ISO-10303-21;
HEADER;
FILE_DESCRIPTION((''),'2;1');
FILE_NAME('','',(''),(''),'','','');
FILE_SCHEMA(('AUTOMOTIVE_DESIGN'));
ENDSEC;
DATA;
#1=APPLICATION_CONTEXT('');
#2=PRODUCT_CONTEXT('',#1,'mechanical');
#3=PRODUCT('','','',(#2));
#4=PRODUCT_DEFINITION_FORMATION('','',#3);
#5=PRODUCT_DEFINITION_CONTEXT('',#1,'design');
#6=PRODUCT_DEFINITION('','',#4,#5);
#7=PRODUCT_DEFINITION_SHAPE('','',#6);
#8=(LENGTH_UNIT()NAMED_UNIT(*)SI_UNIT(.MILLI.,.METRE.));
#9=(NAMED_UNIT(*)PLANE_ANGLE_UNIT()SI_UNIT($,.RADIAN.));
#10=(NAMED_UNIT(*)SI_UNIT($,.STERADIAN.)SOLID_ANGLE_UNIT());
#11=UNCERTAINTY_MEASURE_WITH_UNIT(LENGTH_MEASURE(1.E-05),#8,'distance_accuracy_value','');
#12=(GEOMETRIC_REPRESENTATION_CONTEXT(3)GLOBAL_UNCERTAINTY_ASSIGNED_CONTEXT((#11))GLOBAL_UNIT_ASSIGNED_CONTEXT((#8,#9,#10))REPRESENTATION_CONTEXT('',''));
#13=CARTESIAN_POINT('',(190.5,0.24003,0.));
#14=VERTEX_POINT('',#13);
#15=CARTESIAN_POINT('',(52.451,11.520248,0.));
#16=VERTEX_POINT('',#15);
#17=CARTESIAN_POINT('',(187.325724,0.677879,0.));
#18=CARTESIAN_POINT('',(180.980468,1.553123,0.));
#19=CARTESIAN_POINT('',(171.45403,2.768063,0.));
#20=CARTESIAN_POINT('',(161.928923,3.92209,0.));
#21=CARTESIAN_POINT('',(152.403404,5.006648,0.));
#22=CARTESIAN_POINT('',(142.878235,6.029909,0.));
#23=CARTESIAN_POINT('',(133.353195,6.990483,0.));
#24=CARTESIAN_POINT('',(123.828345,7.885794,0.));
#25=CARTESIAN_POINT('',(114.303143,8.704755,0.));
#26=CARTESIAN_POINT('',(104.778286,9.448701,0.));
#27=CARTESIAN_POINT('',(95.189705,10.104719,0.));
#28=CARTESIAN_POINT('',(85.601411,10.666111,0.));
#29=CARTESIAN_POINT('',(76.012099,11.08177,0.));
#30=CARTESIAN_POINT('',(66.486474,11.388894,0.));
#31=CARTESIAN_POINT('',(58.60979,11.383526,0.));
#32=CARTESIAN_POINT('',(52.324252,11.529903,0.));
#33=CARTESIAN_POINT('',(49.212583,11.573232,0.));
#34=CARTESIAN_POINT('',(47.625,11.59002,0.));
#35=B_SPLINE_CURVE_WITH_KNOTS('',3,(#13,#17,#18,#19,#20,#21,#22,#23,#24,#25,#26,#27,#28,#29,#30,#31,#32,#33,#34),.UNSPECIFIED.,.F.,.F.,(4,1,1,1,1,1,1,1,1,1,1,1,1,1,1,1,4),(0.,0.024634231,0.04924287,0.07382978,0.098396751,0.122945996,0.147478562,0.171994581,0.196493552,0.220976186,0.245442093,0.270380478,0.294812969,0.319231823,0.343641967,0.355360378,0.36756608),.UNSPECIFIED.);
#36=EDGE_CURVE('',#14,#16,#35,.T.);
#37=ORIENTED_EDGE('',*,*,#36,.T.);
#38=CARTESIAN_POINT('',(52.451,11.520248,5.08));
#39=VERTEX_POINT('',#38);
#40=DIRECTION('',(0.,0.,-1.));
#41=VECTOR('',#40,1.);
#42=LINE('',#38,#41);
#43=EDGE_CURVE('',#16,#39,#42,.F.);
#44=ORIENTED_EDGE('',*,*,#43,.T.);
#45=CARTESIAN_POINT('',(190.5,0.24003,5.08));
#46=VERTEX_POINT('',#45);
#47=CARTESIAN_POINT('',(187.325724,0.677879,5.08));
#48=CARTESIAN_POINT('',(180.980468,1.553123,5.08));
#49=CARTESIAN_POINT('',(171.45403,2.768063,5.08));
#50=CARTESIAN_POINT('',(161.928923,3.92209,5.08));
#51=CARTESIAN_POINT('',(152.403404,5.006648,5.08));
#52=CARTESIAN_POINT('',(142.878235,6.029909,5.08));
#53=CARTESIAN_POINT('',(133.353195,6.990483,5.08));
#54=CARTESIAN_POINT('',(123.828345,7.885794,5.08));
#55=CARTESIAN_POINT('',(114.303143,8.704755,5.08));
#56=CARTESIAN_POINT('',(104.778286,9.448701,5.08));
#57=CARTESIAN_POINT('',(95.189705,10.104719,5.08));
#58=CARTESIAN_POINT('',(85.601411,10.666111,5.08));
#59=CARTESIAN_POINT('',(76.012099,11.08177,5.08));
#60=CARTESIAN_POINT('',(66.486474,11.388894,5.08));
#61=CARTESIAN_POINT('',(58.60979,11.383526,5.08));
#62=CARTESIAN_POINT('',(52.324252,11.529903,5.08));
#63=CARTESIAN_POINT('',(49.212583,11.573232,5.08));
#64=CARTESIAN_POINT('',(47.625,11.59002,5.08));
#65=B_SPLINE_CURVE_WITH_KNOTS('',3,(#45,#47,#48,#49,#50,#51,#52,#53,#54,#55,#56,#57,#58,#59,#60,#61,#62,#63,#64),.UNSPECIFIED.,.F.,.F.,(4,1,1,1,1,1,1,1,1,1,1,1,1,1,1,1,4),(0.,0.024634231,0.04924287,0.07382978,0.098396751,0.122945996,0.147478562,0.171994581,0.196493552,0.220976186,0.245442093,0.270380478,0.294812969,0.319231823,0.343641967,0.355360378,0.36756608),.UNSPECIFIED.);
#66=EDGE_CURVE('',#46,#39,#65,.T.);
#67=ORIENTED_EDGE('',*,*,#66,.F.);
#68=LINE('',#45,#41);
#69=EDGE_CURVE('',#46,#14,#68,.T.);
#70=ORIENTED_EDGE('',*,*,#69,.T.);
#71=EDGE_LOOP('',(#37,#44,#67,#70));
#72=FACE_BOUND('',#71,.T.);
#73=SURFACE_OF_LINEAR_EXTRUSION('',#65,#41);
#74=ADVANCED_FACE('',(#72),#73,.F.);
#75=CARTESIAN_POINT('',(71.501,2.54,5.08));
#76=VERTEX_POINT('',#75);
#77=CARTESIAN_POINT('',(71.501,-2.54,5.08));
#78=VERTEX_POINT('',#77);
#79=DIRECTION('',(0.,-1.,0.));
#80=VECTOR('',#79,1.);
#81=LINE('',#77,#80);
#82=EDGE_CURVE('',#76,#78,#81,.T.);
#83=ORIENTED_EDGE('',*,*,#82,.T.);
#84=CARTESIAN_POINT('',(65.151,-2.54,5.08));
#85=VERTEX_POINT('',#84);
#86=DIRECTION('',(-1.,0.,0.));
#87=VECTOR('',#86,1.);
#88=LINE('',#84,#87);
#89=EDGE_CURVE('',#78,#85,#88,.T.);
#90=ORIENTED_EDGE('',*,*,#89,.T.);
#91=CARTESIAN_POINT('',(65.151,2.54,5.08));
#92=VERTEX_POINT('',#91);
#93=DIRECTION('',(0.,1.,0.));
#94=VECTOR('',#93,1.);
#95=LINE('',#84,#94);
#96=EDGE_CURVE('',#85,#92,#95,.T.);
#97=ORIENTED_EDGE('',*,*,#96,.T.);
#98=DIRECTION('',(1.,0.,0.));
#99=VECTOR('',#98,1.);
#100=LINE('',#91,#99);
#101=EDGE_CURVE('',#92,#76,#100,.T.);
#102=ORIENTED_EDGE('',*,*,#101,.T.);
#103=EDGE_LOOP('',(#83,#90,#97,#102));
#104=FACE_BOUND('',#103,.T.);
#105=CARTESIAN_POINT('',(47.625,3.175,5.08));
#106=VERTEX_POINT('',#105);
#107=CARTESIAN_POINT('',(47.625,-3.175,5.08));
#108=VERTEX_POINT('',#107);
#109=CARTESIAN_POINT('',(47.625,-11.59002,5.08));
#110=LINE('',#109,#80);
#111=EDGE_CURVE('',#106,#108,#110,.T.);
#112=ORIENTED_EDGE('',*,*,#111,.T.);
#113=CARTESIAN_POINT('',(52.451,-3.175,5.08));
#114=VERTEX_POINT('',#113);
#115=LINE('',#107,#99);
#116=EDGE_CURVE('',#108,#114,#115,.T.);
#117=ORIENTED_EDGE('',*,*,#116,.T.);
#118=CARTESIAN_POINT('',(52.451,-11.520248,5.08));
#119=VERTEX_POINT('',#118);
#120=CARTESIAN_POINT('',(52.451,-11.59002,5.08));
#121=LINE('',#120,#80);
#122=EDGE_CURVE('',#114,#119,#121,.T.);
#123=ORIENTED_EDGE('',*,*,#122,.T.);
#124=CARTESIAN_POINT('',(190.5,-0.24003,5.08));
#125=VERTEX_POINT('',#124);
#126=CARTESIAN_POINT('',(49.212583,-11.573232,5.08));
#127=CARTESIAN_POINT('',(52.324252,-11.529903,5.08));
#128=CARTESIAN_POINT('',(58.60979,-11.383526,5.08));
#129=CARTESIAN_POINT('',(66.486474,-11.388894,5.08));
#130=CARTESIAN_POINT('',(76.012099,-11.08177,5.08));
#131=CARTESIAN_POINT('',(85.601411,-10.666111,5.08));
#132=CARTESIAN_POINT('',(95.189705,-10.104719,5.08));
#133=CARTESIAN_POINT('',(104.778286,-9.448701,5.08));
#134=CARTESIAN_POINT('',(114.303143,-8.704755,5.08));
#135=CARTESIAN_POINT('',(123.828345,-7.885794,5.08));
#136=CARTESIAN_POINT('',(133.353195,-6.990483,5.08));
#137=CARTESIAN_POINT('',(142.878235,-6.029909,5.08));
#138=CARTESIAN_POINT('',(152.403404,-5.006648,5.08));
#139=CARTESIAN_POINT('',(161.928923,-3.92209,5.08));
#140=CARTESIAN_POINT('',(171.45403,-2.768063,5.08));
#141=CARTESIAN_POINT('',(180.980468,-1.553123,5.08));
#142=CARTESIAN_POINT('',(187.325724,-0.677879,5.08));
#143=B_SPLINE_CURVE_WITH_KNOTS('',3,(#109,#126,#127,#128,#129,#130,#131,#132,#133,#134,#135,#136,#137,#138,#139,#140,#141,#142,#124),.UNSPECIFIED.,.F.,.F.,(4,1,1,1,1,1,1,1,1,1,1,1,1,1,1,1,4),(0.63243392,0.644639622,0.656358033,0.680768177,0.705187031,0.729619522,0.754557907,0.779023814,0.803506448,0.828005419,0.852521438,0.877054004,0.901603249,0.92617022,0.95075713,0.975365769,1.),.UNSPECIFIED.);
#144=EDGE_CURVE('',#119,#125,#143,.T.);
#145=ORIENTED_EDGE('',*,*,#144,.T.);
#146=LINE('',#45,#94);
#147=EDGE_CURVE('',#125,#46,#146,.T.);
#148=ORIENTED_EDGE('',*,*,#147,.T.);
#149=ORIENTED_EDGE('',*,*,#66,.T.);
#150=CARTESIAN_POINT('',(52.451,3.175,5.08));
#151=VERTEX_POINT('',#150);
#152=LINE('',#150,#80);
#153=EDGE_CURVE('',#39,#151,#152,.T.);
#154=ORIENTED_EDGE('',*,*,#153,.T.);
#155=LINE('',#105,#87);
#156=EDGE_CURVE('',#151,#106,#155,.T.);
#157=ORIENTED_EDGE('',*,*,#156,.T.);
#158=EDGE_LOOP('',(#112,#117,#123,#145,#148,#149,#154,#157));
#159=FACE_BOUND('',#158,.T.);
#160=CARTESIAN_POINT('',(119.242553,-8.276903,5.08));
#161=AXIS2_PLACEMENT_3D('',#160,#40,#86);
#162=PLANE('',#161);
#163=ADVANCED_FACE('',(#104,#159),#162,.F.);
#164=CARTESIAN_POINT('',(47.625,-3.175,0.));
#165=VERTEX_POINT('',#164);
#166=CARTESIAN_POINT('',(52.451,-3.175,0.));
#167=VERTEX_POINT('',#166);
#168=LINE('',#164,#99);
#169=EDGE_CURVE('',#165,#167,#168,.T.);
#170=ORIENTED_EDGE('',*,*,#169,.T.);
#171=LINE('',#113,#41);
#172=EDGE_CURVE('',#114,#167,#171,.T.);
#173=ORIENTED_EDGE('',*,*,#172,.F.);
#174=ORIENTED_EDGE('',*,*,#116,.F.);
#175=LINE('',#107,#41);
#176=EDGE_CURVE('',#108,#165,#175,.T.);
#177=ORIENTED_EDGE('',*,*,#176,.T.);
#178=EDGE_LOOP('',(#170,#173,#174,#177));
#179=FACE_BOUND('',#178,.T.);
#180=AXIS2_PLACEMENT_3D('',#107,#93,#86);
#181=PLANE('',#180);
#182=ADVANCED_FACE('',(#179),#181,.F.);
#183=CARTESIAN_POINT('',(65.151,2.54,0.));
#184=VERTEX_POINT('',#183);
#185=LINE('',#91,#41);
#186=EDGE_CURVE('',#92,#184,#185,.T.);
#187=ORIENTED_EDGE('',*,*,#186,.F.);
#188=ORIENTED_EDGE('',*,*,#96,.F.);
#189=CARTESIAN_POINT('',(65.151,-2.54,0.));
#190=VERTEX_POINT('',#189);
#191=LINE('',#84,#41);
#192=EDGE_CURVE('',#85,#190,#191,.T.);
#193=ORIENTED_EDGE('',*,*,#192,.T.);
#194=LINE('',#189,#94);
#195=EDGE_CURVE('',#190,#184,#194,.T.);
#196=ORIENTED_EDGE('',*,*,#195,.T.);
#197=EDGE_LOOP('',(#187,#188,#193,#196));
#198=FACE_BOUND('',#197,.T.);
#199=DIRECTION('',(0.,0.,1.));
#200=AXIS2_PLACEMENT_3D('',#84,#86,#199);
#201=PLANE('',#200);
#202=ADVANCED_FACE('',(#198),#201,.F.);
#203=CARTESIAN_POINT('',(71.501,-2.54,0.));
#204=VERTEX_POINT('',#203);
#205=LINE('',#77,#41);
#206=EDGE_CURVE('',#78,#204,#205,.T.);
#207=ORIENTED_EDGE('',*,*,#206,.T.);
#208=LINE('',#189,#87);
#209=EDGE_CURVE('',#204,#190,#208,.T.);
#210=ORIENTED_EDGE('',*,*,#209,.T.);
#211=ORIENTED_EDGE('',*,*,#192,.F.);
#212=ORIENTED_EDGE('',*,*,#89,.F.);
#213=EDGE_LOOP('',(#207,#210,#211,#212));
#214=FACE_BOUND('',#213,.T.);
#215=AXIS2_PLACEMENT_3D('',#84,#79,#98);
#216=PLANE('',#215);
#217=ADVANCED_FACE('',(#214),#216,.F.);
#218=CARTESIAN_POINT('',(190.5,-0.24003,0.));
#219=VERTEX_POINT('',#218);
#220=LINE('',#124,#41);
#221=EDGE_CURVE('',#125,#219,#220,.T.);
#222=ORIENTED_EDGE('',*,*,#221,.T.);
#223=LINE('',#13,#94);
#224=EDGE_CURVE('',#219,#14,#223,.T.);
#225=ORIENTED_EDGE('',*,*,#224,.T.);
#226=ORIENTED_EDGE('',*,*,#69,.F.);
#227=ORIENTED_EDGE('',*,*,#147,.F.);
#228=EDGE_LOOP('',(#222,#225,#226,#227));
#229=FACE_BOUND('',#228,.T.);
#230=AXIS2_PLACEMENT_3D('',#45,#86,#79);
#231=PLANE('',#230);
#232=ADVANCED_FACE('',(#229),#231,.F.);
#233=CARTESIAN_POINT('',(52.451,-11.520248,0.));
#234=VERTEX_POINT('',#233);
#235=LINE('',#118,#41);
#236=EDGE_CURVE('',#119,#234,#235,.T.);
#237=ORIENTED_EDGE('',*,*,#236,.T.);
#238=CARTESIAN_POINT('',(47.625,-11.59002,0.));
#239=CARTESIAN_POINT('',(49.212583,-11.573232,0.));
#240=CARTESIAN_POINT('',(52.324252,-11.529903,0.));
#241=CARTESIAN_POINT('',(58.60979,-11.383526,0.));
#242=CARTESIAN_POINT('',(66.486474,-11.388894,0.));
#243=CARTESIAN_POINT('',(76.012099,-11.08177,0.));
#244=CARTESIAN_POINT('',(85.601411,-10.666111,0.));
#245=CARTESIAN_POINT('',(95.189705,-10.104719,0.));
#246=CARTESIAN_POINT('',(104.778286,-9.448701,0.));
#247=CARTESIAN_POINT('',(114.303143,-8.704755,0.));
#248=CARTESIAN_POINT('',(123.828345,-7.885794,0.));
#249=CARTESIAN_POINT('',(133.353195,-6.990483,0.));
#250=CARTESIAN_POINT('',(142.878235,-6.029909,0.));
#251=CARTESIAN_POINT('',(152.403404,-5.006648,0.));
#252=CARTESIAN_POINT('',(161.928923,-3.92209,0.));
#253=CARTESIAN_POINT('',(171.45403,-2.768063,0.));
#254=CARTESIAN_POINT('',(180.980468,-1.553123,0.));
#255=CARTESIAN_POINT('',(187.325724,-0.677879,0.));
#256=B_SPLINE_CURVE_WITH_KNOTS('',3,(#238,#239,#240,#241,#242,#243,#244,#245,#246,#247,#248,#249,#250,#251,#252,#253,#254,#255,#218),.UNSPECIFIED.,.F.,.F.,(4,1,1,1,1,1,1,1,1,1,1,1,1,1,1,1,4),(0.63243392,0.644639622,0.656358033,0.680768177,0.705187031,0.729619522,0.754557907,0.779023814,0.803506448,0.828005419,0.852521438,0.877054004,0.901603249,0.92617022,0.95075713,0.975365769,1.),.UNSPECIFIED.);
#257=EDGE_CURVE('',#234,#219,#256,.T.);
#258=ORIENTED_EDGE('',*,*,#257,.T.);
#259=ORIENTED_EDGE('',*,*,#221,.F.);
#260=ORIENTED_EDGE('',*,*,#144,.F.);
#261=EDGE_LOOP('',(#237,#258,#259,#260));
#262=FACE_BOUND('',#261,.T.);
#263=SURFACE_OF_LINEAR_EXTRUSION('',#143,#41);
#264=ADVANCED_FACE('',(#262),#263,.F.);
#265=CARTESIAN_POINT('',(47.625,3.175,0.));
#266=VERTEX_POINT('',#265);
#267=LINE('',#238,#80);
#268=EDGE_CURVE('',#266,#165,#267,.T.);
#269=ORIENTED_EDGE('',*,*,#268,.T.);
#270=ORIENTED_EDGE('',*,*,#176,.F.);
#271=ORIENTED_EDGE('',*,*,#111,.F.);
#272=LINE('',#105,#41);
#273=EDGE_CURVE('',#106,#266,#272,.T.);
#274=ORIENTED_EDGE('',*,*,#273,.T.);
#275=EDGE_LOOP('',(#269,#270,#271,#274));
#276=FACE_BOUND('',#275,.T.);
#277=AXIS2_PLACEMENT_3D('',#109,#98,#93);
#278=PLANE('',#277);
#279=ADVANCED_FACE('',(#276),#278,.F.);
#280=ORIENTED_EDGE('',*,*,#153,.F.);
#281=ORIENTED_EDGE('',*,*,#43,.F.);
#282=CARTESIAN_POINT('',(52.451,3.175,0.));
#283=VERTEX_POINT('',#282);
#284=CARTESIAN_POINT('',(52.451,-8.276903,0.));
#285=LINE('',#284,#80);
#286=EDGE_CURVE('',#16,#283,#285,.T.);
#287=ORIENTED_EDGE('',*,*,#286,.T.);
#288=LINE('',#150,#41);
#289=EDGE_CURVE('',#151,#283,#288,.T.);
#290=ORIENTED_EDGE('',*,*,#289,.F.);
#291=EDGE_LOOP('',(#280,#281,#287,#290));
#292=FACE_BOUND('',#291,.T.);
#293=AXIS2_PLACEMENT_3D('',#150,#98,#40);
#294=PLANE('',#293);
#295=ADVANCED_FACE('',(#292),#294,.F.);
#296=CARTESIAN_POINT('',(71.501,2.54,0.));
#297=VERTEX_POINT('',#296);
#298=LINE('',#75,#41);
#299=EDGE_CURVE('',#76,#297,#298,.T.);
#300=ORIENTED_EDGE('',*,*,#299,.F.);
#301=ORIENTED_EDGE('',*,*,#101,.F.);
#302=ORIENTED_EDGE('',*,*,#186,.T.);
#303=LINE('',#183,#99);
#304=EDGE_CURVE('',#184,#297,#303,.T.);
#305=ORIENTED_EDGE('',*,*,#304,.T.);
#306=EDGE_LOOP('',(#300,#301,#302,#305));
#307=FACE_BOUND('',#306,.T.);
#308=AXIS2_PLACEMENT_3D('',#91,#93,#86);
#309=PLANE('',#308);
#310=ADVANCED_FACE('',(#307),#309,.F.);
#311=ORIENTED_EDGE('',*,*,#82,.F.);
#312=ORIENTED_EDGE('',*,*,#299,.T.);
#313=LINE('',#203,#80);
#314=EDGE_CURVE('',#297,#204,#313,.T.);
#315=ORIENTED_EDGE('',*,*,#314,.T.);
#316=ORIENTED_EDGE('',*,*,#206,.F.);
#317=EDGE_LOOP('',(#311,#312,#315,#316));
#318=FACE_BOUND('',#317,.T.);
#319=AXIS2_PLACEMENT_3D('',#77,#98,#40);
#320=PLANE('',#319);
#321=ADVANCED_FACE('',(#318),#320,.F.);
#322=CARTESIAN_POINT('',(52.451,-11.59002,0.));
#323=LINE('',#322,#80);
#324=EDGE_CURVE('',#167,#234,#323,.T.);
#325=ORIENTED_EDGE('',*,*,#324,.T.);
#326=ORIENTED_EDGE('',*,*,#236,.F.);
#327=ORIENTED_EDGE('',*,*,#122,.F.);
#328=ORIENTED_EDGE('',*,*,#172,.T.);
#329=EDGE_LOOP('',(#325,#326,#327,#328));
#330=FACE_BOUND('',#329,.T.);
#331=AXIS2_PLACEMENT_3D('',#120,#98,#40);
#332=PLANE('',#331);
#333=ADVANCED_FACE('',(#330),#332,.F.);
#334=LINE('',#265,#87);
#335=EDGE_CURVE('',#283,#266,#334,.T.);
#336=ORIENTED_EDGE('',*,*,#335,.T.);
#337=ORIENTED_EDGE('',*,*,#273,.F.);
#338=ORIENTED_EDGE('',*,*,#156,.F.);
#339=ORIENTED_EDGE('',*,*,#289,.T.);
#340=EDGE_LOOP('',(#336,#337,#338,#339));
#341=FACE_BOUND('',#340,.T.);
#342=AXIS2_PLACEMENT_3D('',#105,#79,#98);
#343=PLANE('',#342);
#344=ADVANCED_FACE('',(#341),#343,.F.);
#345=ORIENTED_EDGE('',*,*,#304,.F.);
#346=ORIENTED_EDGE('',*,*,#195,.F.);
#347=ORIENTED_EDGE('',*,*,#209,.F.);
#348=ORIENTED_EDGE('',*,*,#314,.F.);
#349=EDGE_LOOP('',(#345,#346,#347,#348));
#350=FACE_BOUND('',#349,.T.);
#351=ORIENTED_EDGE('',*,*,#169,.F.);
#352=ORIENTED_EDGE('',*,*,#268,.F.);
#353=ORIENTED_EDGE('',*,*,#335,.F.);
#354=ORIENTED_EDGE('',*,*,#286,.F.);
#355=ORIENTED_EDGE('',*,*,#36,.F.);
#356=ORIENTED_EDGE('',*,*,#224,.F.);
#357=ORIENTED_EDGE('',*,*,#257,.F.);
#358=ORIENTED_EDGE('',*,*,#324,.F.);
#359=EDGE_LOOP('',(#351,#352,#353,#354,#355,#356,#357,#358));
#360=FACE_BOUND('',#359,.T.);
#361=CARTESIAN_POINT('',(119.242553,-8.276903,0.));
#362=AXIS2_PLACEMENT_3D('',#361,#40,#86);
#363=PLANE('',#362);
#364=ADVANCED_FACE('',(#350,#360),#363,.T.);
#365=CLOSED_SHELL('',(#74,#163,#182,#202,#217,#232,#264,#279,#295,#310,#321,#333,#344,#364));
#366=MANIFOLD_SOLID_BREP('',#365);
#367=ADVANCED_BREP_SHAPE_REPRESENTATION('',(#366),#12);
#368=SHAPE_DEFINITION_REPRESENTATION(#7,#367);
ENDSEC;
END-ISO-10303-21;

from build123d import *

# Parameters (mm, degrees)
BOSS_EXTRUDE1_DEPTH = 5.08
SKETCH3_W           = 4.826
SKETCH3_H           = 8.41502
SKETCH3_W_2         = 6.35
SKETCH3_H_2         = 5.08
CUT_EXTRUDE1_DEPTH  = 6.0800001


with BuildPart() as part:
    # Sketch2 → Boss-Extrude1 (new body)
    with BuildSketch(Plane.XY):
        with BuildLine():
            Line((190.5, 0.24003), (190.5, -0.24003))
            add(Edge.make_bspline(
                [(47.625, -11.59002), (49.21258277, -11.573232478), (52.324251607, -11.529902789), (58.609790093, -11.383526435), (66.486474066, -11.388894153), (76.012099473, -11.081769852), (85.601411445, -10.666111308), (95.189705286, -10.104719356), (104.778286225, -9.448700637), (114.303143312, -8.704754793), (123.828345261, -7.885794466), (133.353195338, -6.990482738), (142.87823509, -6.029908512), (152.403404308, -5.006647903), (161.928923416, -3.922089872), (171.454029858, -2.768063081), (180.980468385, -1.553123331), (187.325723566, -0.677879401), (190.5, -0.24003)],
                knots=[0.63243392, 0.63243392, 0.63243392, 0.63243392, 0.644639622, 0.656358033, 0.680768177, 0.705187031, 0.729619522, 0.754557907, 0.779023814, 0.803506448, 0.828005419, 0.852521438, 0.877054004, 0.901603249, 0.92617022, 0.95075713, 0.975365769, 1, 1, 1, 1], degree=3))
            Line((47.625, -11.59002), (47.625, 11.59002))
            add(Edge.make_bspline(
                [(190.5, 0.24003), (187.325723566, 0.677879401), (180.980468385, 1.553123331), (171.454029858, 2.768063081), (161.928923416, 3.922089872), (152.403404308, 5.006647903), (142.87823509, 6.029908512), (133.353195338, 6.990482738), (123.828345261, 7.885794466), (114.303143312, 8.704754793), (104.778286225, 9.448700637), (95.189705286, 10.104719356), (85.601411445, 10.666111308), (76.012099473, 11.081769852), (66.486474066, 11.388894153), (58.609790093, 11.383526435), (52.324251607, 11.529902789), (49.21258277, 11.573232478), (47.625, 11.59002)],
                knots=[0, 0, 0, 0, 0.024634231, 0.04924287, 0.07382978, 0.098396751, 0.122945996, 0.147478562, 0.171994581, 0.196493552, 0.220976186, 0.245442093, 0.270380478, 0.294812969, 0.319231823, 0.343641967, 0.355360378, 0.36756608, 0.36756608, 0.36756608, 0.36756608], degree=3))
        make_face()
    extrude(amount=BOSS_EXTRUDE1_DEPTH)

    # Sketch3 → Cut-Extrude1 (cut, through all)
    with BuildSketch(Plane(origin=(0, 0, 0), x_dir=(-1, 0, 0), z_dir=(0, 0, -1))):
        with Locations((-50.038, -7.38251)):
            Rectangle(SKETCH3_W, SKETCH3_H)
        with Locations((-50.038, 7.38251)):
            Rectangle(SKETCH3_W, SKETCH3_H)
        with Locations((-68.326, 0)):
            Rectangle(SKETCH3_W_2, SKETCH3_H_2)
    extrude(amount=-CUT_EXTRUDE1_DEPTH, mode=Mode.SUBTRACT)


solid = part.part
